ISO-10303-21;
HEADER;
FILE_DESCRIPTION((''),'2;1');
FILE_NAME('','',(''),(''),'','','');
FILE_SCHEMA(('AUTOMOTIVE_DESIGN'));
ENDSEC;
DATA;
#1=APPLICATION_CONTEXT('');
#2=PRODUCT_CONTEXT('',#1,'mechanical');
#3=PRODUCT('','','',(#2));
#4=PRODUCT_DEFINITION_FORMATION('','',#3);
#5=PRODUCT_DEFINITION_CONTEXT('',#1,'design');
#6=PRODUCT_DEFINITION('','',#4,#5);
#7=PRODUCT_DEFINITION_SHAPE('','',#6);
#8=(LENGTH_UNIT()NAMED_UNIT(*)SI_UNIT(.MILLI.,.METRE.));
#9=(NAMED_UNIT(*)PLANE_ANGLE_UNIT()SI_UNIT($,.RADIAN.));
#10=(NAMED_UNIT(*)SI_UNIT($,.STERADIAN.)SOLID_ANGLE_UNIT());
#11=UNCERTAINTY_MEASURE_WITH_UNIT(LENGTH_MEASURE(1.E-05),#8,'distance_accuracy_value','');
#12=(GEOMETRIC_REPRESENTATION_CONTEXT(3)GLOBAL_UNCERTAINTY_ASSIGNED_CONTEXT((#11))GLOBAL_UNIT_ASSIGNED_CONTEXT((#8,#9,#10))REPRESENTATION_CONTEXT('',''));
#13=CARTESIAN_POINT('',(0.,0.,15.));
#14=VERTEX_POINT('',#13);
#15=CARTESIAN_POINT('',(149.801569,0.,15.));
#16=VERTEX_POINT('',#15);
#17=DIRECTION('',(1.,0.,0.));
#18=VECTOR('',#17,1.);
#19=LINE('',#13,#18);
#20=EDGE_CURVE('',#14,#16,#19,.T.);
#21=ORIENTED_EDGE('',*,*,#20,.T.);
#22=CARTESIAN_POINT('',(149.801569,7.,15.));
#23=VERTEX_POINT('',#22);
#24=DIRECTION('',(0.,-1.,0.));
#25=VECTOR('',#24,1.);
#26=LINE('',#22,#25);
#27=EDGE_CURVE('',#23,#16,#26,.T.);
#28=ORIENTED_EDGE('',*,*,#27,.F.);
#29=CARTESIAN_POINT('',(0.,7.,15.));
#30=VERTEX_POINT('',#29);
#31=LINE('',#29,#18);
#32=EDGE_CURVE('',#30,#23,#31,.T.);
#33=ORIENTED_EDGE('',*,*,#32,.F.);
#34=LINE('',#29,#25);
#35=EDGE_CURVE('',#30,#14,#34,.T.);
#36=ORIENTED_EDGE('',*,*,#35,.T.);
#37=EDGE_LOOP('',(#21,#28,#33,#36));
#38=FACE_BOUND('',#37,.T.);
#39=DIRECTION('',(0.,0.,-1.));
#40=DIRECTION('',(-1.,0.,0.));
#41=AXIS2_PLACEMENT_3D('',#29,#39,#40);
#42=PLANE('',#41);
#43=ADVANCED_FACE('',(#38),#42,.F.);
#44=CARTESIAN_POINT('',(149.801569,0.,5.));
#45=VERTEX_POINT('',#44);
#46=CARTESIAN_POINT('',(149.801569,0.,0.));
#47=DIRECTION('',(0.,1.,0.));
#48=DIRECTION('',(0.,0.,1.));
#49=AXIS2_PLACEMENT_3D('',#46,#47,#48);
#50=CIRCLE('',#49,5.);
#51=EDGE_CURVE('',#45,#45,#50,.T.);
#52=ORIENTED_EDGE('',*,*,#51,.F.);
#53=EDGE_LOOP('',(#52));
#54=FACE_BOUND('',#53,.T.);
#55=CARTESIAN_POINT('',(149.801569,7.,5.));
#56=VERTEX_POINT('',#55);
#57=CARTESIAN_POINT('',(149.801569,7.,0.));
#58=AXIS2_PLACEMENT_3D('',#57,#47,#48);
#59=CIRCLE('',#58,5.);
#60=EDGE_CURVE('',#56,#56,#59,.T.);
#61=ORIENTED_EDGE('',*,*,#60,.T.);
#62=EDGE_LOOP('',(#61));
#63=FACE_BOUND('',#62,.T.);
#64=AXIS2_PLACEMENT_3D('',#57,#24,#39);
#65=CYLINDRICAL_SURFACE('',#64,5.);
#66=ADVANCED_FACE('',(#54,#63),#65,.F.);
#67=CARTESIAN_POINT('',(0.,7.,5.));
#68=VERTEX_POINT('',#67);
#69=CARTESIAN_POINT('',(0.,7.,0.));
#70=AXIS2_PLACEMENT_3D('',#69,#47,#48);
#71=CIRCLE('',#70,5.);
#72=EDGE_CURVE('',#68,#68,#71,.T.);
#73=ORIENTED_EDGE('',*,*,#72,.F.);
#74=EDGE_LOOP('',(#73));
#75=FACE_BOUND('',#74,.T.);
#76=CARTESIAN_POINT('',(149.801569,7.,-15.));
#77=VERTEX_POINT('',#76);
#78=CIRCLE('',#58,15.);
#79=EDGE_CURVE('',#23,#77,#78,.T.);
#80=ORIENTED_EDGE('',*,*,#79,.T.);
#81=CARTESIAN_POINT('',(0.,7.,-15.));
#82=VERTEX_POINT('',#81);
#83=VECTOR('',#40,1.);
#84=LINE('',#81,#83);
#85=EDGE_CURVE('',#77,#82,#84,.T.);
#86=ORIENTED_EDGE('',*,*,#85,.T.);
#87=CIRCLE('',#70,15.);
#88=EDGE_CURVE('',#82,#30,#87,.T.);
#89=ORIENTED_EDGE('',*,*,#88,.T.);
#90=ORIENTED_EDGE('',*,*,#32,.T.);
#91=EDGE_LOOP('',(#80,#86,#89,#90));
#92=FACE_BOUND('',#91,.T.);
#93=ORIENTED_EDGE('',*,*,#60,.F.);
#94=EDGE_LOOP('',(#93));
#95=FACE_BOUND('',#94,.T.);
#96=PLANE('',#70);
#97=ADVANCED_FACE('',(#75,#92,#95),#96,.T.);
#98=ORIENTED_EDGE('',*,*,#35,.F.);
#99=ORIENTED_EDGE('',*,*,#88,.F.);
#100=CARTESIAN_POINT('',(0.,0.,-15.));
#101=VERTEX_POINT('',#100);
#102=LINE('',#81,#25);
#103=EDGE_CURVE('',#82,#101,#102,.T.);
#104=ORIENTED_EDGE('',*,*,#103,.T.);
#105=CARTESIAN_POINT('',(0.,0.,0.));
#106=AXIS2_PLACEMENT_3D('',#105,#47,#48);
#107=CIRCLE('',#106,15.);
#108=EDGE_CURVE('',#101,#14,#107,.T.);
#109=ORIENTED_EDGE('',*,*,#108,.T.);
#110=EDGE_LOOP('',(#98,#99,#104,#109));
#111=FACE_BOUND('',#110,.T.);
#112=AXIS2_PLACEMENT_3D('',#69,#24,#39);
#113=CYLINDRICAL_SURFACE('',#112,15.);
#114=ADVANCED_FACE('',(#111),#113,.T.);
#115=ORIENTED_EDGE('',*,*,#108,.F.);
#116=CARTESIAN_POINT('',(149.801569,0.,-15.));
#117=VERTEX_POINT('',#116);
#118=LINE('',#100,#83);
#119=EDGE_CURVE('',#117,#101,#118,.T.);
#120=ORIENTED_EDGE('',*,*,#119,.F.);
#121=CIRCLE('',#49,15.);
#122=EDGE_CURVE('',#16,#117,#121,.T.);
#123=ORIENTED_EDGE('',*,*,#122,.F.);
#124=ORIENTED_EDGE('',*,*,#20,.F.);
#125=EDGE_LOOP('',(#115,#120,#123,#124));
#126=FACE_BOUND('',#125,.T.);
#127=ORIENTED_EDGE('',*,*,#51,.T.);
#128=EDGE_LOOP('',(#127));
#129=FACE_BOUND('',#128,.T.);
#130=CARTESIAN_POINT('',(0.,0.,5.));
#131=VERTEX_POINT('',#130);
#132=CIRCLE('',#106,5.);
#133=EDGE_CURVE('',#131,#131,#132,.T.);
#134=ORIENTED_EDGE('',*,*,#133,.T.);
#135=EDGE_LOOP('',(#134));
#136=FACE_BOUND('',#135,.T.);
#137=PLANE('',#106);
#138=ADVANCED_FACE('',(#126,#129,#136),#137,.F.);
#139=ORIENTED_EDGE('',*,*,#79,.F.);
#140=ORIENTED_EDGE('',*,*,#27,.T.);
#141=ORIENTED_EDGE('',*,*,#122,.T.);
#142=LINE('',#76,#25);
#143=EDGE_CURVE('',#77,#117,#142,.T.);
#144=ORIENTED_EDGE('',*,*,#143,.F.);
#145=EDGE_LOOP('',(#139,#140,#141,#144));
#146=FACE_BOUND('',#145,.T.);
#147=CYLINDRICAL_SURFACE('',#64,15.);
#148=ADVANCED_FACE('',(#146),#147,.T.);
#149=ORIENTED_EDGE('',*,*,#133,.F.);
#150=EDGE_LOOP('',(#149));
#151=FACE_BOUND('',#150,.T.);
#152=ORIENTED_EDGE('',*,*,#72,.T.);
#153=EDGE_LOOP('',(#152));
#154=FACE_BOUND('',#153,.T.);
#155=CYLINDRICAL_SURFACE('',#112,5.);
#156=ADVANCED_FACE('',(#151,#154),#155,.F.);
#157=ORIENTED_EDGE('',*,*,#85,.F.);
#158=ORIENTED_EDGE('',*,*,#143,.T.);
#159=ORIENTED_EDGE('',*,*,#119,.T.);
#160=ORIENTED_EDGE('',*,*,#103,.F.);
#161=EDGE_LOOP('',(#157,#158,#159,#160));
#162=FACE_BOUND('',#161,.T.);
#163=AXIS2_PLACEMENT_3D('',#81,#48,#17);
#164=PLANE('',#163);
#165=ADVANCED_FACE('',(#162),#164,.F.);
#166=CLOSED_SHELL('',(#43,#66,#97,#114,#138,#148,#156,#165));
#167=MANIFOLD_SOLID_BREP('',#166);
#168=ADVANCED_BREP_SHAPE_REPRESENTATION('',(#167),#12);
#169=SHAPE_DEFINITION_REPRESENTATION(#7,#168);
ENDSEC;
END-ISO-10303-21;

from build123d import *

# Parameters (mm, degrees)
SKETCH_1_R      = 5
EXTRUDE_1_DEPTH = 7


with BuildPart() as part:
    # Эскиз1 → Вытянуть1 (new body)
    with BuildSketch(Plane(origin=(0, 0, 0), x_dir=(1, 0, 0), z_dir=(0, 1, 0))):
        with BuildLine():
            Line((0, 15), (149.801569261, 15))
            ThreePointArc((149.801569261, 15), (164.801569261, 0), (149.801569261, -15))
            Line((149.801569261, -15), (0, -15))
            ThreePointArc((0, -15), (-15, 0), (0, 15))
        make_face()
        with Locations(Location((0, 0, 0), (0, 0, 270))):
            Circle(SKETCH_1_R, mode=Mode.SUBTRACT)
        with Locations(Location((149.801569261, 0, 0), (0, 0, 270))):
            Circle(SKETCH_1_R, mode=Mode.SUBTRACT)
    extrude(amount=EXTRUDE_1_DEPTH)


solid = part.part
